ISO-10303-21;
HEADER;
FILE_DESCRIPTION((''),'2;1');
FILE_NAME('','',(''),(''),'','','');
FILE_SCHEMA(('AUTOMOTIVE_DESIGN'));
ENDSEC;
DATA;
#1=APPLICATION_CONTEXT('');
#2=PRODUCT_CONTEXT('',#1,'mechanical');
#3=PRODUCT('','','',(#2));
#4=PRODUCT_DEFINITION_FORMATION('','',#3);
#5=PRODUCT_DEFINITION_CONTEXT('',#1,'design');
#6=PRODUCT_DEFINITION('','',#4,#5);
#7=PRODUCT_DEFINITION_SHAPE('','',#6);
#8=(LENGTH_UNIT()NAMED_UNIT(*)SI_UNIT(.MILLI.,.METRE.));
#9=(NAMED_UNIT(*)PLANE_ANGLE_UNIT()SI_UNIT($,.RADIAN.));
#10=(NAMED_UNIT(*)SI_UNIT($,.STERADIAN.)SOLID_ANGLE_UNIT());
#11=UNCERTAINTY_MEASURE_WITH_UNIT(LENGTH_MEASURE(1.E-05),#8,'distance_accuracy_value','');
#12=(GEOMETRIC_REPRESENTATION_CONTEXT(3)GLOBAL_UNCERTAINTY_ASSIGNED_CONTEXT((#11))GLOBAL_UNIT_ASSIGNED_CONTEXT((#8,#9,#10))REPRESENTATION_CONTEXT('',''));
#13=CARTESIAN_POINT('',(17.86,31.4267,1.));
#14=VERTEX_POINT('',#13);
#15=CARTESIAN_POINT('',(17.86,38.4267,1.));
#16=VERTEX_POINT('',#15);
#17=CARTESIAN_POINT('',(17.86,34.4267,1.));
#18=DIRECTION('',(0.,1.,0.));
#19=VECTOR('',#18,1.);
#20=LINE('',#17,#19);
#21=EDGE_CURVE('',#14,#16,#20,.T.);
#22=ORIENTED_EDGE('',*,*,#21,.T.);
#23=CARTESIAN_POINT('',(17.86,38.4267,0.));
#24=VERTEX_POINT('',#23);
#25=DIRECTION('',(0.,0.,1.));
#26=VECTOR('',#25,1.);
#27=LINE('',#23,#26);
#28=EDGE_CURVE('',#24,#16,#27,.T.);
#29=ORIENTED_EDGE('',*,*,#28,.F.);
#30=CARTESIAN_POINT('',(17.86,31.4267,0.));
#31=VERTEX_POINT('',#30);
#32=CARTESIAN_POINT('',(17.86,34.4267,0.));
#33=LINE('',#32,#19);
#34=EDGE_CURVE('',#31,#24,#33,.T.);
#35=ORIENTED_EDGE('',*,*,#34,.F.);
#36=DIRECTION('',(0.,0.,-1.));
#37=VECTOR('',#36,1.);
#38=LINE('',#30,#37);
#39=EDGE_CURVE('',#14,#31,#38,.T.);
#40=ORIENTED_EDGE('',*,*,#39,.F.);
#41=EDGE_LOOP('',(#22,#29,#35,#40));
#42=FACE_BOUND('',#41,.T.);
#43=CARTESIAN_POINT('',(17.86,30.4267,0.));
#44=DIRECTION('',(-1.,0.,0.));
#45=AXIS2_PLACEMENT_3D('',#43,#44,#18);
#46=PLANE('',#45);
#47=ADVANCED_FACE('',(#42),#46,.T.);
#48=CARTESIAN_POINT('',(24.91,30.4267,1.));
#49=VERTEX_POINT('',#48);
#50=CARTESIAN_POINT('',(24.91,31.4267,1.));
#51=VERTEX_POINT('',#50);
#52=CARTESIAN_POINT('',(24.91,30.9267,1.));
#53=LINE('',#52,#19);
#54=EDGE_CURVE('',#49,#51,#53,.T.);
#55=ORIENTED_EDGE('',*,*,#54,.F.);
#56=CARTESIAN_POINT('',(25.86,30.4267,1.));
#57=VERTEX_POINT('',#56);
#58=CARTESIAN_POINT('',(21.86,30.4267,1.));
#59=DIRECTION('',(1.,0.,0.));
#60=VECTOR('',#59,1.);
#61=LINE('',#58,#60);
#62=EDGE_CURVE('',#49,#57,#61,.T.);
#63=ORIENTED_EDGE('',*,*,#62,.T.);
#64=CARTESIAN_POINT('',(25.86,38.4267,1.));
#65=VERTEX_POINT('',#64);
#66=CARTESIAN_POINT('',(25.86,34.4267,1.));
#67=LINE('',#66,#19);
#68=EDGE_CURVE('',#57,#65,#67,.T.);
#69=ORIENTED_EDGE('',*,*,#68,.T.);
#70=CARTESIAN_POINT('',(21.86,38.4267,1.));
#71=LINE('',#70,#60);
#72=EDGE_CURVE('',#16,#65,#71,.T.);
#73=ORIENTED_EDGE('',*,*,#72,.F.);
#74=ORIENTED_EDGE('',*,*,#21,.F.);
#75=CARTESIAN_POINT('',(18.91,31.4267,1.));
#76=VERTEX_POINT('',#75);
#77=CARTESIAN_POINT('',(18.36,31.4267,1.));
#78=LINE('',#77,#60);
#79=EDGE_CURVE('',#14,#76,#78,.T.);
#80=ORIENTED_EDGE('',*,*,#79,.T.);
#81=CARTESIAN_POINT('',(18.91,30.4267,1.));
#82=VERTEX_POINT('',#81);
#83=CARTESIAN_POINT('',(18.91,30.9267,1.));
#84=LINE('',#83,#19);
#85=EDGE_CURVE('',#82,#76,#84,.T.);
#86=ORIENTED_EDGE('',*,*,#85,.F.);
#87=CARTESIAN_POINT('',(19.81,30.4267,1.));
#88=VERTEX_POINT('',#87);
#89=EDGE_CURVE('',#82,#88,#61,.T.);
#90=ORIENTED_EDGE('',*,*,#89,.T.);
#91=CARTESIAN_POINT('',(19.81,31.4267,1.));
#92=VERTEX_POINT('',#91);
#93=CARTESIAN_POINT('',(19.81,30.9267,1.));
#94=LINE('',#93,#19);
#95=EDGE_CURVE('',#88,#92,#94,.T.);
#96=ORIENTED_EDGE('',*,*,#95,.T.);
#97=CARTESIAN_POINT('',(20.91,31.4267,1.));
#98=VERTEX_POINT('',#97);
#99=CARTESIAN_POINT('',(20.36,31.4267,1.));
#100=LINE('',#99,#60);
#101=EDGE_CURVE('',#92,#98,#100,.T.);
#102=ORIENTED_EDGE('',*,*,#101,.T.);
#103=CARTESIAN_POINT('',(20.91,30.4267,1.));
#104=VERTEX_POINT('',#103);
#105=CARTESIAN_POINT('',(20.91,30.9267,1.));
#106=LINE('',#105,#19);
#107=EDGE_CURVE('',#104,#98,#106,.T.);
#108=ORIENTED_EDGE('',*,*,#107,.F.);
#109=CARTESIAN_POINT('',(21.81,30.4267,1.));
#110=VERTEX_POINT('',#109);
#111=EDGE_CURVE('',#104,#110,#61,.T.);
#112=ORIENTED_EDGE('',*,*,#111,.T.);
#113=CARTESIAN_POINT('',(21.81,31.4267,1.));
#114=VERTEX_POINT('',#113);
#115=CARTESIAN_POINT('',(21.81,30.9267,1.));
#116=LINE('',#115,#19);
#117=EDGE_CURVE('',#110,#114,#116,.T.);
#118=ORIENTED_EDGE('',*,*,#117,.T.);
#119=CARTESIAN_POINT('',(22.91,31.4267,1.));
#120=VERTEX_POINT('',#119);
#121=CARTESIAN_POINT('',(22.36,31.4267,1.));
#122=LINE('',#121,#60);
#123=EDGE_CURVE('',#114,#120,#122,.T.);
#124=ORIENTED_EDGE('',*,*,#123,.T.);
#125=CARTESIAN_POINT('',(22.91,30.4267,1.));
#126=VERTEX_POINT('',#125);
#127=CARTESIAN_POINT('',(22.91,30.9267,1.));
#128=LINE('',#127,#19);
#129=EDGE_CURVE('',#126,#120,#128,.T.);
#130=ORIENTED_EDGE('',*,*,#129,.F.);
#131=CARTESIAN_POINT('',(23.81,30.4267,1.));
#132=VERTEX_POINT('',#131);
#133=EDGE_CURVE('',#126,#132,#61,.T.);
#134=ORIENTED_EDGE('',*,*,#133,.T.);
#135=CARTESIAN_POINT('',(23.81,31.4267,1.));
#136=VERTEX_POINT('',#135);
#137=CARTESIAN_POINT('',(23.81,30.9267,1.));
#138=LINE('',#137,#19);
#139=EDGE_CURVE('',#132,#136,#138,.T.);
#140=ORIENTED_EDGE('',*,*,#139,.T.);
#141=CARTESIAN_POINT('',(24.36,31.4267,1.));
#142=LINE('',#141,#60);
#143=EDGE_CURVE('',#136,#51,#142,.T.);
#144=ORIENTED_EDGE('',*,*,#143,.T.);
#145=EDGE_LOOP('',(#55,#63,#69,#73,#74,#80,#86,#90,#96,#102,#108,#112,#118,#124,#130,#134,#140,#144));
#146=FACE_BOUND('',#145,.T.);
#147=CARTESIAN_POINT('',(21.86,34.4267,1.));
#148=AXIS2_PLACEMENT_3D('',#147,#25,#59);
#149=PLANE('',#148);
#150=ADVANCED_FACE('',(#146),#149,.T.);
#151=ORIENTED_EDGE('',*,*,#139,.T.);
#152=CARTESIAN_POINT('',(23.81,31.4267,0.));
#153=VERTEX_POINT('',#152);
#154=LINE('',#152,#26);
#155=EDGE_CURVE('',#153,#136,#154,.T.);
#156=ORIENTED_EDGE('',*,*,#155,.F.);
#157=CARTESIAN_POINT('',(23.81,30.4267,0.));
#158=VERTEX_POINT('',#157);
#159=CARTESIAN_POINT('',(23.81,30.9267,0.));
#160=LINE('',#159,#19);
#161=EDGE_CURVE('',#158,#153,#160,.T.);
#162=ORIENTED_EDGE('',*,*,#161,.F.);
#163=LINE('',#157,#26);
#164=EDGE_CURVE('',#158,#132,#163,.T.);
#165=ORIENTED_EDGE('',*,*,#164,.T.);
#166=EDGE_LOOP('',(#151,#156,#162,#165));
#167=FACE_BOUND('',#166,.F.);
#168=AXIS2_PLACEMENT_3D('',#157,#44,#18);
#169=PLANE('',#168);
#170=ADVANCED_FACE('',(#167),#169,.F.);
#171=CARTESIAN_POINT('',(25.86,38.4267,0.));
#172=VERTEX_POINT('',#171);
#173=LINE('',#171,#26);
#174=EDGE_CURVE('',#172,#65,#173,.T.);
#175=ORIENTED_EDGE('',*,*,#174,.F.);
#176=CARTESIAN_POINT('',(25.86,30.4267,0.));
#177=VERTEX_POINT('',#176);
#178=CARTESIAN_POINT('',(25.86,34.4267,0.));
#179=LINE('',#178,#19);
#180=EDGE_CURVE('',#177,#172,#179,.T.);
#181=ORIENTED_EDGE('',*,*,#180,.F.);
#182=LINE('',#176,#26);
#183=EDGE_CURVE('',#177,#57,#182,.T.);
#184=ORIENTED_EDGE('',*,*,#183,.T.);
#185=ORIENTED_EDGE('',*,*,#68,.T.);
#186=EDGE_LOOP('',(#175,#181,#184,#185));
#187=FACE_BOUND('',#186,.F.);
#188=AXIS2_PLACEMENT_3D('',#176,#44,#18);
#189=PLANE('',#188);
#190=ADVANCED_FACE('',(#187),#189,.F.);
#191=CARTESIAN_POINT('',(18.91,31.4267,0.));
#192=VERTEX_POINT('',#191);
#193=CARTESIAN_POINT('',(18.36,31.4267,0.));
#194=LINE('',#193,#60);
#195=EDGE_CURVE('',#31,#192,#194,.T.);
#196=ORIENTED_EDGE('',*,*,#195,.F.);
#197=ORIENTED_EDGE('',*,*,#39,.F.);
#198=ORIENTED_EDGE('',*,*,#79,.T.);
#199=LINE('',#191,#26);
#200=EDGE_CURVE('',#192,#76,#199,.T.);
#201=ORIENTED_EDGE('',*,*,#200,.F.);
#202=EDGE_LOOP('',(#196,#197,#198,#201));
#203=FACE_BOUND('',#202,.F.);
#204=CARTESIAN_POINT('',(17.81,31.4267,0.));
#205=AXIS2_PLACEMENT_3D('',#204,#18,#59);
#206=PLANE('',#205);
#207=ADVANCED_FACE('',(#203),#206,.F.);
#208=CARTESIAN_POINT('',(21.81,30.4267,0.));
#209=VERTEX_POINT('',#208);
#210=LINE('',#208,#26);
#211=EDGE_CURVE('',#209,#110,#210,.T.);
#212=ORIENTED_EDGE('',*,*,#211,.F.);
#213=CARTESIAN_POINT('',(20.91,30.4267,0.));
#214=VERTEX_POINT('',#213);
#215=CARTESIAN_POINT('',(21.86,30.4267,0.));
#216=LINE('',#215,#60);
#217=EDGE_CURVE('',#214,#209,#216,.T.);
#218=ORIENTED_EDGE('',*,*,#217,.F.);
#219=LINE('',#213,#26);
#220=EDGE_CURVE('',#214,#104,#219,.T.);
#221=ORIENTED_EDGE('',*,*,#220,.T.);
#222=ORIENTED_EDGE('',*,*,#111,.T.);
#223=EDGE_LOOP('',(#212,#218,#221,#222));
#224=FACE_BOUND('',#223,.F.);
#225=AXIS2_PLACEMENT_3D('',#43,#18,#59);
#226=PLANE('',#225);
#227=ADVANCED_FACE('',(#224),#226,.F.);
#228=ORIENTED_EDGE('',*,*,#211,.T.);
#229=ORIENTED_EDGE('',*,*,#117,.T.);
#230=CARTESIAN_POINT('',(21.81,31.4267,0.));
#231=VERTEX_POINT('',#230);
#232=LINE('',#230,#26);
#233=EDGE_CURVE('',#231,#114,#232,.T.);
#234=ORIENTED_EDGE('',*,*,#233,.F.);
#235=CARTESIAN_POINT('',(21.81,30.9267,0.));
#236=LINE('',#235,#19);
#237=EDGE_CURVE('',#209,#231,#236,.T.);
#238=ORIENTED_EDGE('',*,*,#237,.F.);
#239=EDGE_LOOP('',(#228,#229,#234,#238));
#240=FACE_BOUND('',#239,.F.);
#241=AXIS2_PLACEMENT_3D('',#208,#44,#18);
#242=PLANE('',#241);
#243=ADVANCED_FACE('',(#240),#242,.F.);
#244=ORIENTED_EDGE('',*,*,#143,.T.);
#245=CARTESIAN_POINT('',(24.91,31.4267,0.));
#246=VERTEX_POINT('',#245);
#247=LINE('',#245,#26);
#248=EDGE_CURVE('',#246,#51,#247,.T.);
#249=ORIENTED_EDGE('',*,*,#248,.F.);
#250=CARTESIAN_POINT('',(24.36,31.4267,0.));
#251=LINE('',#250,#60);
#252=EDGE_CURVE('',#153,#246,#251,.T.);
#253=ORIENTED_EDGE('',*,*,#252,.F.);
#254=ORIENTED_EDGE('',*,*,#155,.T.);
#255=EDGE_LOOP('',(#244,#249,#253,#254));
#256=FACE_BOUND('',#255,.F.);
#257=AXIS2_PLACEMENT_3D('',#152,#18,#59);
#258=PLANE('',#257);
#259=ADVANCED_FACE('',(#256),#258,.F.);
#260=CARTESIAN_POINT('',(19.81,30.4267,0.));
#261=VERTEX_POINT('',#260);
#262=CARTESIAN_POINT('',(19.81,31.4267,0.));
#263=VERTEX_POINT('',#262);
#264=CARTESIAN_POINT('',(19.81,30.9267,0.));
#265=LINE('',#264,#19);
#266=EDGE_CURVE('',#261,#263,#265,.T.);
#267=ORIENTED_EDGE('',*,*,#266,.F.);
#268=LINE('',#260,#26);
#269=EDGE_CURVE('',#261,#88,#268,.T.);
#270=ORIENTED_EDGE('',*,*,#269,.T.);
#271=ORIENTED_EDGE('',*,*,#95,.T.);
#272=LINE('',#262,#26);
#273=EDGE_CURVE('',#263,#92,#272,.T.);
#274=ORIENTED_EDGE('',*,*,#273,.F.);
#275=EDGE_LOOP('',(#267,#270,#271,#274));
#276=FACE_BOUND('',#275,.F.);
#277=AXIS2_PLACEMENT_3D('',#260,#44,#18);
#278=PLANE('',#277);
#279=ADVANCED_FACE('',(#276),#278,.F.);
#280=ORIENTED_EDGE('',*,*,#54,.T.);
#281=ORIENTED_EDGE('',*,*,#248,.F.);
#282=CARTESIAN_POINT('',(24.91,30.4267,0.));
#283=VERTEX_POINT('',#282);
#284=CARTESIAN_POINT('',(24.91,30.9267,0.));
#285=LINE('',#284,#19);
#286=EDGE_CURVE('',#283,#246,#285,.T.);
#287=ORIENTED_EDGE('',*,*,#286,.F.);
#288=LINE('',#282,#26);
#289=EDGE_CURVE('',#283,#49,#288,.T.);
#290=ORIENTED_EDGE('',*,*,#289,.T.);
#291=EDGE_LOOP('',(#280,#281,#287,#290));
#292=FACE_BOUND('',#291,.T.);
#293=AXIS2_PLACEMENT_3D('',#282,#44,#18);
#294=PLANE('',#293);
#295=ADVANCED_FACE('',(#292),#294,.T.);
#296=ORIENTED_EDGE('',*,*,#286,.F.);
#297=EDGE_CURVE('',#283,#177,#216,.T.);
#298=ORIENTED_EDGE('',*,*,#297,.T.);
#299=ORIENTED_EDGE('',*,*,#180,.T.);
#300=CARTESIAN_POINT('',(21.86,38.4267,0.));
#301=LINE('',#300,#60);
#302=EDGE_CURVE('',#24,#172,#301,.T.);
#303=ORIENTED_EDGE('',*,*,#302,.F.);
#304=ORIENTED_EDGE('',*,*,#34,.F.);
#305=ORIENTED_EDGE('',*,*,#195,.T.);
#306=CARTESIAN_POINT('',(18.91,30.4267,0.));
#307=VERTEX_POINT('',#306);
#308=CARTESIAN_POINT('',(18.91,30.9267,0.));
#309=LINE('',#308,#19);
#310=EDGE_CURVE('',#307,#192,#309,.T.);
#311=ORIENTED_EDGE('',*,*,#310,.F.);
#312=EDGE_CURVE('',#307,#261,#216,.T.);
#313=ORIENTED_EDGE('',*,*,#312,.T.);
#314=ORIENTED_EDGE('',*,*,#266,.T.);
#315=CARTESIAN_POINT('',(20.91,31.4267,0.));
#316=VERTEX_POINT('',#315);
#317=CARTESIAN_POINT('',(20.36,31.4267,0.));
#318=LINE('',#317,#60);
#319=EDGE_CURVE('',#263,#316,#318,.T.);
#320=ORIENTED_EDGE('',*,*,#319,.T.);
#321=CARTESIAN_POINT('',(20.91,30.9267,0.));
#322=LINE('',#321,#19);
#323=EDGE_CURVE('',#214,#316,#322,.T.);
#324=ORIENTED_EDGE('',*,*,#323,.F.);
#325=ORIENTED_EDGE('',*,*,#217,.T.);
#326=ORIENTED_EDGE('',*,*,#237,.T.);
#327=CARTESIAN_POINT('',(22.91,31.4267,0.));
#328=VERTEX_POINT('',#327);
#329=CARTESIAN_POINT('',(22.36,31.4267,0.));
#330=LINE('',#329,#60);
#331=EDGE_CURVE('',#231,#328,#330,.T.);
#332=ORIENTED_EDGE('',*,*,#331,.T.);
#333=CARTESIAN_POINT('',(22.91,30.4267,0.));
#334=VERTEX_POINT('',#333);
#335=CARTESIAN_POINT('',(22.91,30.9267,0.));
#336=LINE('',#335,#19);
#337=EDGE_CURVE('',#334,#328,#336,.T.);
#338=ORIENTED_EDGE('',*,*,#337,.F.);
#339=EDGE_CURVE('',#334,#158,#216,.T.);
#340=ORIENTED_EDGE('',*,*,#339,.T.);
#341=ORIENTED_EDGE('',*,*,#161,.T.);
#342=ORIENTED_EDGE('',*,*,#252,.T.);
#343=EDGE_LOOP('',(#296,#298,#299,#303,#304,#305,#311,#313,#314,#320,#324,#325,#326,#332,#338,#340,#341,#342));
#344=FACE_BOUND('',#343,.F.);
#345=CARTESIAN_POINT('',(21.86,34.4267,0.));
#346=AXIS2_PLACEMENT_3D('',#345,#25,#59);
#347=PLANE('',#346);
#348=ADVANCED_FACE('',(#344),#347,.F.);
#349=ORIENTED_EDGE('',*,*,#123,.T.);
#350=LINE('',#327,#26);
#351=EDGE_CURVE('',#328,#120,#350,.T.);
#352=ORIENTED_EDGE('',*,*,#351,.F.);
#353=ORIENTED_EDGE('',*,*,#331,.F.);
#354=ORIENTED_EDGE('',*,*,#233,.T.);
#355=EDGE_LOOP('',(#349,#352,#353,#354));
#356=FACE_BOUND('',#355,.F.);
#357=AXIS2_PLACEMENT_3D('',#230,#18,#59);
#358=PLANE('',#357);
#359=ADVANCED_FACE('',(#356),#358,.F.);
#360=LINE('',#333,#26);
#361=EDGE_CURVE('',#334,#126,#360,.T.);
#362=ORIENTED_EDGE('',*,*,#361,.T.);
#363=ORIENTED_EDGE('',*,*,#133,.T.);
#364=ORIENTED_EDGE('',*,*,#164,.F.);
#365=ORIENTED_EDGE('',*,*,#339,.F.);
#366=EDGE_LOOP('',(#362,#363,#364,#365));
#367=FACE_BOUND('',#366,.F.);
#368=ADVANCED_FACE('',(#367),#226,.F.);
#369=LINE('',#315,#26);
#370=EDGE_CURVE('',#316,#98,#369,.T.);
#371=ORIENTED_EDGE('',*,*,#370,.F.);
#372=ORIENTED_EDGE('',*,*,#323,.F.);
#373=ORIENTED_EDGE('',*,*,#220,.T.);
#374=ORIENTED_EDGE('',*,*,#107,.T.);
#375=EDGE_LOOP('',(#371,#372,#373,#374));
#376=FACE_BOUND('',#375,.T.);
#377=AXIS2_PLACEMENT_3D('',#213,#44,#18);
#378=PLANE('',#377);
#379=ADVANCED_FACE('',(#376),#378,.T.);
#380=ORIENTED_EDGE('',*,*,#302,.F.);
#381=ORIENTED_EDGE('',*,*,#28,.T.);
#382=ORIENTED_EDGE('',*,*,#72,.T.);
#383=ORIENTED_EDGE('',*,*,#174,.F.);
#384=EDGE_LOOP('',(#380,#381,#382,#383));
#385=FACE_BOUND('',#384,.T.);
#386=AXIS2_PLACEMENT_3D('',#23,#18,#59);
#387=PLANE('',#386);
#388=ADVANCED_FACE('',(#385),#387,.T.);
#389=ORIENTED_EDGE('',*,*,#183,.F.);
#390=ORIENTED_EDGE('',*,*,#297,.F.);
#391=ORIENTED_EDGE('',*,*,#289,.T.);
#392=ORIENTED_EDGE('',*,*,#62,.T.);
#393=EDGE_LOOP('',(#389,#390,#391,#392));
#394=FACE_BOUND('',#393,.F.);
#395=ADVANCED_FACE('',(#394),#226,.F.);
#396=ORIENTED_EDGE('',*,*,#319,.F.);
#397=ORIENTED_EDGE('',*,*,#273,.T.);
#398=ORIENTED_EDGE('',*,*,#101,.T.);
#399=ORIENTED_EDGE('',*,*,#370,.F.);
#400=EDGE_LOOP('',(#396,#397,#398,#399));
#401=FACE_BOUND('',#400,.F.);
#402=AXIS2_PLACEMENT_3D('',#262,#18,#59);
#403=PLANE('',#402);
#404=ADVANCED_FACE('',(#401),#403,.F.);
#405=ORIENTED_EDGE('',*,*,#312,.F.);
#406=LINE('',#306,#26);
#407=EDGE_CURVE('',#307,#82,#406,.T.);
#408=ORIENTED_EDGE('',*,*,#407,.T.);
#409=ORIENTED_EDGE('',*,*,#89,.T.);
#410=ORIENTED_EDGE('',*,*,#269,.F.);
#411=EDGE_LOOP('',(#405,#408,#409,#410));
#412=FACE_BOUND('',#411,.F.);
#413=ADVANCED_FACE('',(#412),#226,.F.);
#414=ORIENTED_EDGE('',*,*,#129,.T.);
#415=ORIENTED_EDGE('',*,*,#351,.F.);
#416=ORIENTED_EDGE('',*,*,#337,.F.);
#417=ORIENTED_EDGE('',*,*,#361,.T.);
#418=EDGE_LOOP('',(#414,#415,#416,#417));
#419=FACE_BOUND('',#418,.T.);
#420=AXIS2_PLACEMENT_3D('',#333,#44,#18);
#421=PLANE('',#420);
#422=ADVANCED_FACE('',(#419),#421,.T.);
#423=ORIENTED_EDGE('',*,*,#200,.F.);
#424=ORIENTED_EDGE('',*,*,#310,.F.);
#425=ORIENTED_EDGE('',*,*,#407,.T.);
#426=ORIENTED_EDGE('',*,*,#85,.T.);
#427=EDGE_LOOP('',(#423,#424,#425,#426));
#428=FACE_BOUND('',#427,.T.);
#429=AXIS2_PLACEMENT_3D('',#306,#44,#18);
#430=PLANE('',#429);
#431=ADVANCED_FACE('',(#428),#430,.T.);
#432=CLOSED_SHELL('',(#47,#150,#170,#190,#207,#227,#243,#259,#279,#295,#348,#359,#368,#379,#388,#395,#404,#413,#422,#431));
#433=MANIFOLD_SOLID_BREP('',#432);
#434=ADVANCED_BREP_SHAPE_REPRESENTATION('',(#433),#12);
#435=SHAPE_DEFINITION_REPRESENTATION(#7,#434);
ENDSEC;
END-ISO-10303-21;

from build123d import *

# Parameters (mm, degrees)
BOX001_W      = 1.1
BOX001_H      = 1
BOX001_DEPTH  = 1
ARRAY_X_COUNT = 4
ARRAY_X_PITCH = 2
BOX_W         = 8
BOX_H         = 8
BOX_DEPTH     = 1


with BuildPart() as array:
    # Box001 → Box001 (new body)
    with BuildSketch(Plane(origin=(17.86, 30.4267, 0), x_dir=(1, 0, 0), z_dir=(0, 0, 1))):
        with Locations((0.55, 0.5)):
            Rectangle(BOX001_W, BOX001_H)
    extrude(amount=BOX001_DEPTH)

    # Array X: Array ×4


with BuildPart() as array_1:
    add(array.part)
    with Locations(*[(i * ARRAY_X_PITCH, 0, 0) for i in range(1, ARRAY_X_COUNT)]):
        add(array.part)


with BuildPart() as array_2:
    # Array placement: moved
    add(array_1.part.moved(Location((-0.05, 0, 0))))


with BuildPart() as fingers:
    # Box → Box (new body)
    with BuildSketch(Plane(origin=(17.86, 30.4267, 0), x_dir=(1, 0, 0), z_dir=(0, 0, 1))):
        with Locations((4, 4)):
            Rectangle(BOX_W, BOX_H)
    extrude(amount=BOX_DEPTH)

    # Cut: cut Array
    add(array_2.part, mode=Mode.SUBTRACT)


solid = fingers.part
